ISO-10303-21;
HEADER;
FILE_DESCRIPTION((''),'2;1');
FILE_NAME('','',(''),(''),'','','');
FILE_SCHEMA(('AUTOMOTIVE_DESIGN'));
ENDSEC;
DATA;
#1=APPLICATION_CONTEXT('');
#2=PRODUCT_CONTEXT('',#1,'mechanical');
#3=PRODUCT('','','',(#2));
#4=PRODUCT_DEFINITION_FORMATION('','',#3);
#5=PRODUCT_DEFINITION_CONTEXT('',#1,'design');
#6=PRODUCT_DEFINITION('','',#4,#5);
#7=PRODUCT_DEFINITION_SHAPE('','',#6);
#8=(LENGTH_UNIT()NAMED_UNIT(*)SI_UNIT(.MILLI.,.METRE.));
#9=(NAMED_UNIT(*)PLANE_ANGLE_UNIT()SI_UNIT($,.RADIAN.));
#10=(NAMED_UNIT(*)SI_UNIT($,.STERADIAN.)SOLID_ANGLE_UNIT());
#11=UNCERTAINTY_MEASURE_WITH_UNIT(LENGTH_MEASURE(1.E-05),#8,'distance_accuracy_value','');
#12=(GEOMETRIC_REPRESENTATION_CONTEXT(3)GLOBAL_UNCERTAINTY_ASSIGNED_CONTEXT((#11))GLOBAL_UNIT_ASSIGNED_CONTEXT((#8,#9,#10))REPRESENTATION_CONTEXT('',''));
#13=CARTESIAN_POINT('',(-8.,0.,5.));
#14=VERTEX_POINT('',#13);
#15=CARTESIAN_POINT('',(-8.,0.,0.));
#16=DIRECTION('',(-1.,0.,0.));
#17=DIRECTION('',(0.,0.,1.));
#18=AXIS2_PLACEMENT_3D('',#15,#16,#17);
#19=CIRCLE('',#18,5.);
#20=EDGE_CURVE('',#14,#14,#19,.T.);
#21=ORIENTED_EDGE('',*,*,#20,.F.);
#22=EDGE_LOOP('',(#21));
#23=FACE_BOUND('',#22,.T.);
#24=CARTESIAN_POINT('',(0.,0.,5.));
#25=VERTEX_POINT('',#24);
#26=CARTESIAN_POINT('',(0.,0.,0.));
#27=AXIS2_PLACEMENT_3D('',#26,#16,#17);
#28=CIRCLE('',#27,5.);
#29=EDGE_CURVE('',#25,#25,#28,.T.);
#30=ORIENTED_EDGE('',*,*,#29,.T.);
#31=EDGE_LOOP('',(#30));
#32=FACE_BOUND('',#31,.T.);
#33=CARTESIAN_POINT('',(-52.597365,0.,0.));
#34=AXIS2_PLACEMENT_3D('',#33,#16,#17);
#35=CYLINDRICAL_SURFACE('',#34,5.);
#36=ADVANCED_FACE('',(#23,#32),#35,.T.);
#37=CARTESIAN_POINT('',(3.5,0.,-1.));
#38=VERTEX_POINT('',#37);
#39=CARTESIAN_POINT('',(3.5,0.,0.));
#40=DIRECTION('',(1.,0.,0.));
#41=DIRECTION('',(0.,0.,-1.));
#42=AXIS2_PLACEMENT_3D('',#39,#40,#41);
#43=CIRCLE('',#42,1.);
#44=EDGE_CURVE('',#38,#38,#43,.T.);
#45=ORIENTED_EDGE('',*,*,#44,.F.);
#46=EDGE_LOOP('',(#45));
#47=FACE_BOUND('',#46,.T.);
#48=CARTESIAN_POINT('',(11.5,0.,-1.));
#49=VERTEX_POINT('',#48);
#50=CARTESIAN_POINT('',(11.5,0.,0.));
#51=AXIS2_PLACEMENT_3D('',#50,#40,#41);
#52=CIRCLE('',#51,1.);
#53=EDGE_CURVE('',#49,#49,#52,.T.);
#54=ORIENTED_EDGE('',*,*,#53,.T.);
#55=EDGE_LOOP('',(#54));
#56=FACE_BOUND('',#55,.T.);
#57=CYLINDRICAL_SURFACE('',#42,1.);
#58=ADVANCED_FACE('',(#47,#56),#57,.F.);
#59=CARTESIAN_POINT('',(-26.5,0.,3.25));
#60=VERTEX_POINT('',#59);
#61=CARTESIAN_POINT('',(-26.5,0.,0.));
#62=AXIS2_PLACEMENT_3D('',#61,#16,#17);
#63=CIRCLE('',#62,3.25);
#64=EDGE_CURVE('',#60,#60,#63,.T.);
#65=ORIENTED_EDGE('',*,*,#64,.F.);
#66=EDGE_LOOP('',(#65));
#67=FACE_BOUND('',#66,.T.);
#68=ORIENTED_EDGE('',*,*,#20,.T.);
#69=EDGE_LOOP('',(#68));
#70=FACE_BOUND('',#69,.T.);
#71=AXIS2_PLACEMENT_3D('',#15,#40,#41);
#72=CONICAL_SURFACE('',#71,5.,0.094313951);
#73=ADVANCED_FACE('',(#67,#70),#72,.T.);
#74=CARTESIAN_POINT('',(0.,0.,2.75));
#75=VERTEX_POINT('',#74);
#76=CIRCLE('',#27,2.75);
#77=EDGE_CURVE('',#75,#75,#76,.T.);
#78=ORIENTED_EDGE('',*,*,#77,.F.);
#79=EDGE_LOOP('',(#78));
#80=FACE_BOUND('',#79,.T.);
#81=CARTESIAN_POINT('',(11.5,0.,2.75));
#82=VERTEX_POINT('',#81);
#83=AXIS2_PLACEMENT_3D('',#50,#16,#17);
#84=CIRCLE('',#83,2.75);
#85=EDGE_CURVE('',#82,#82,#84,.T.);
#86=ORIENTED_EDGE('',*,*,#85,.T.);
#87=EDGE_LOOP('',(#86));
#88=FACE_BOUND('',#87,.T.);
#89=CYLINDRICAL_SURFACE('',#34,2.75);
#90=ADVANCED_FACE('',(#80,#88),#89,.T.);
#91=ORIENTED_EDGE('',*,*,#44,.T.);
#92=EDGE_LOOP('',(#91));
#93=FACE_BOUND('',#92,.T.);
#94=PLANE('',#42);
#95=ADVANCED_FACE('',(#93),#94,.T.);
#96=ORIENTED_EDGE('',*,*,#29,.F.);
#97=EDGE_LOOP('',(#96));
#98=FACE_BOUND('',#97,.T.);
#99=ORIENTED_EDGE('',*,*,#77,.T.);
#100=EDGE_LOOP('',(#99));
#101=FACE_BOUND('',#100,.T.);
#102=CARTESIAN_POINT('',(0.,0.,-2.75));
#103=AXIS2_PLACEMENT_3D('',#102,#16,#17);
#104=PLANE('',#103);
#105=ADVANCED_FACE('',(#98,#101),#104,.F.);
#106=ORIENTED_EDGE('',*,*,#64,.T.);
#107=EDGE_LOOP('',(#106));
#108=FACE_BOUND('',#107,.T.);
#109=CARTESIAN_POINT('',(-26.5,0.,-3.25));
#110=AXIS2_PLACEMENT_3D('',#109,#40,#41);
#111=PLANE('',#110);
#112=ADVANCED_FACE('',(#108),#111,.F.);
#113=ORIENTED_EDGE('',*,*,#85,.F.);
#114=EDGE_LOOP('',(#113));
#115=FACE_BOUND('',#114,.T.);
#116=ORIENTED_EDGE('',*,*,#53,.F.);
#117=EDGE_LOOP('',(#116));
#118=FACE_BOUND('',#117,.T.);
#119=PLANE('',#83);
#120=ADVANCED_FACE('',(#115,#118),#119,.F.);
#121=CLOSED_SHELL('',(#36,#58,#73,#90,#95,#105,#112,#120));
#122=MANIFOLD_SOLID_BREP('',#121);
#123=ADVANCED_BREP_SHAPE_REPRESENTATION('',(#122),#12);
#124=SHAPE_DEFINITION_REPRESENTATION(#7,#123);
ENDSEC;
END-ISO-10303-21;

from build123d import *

# Parameters (mm, degrees)
SKETCH_2_R          = 1
CUT_EXTRUDE_1_DEPTH = 8


with BuildPart() as part:
    # 草图1 → 旋转2 (revolve)
    with BuildSketch(Plane(origin=(0, 0, 0), x_dir=(1, 0, 0), z_dir=(0, 1, 0)), mode=Mode.PRIVATE) as revolve_2_sk:
        Polygon((11.5, 0), (11.5, 2.75), (0, 2.75), (0, 5), (-8, 5), (-26.5, 3.25), (-26.5, 0), align=None)
    revolve(revolve_2_sk.sketch.rotate(Axis((-52.597365488, 0, 0), (1, 0, 0)), 180), axis=Axis((-52.597365488, 0, 0), (1, 0, 0)))

    # 草图2 → 切除-拉伸1 (cut)
    with BuildSketch(Plane(origin=(11.5, 0, 0), x_dir=(0, 0, -1), z_dir=(1, 0, 0))):
        Circle(SKETCH_2_R)
    extrude(amount=-CUT_EXTRUDE_1_DEPTH, mode=Mode.SUBTRACT)


solid = part.part
